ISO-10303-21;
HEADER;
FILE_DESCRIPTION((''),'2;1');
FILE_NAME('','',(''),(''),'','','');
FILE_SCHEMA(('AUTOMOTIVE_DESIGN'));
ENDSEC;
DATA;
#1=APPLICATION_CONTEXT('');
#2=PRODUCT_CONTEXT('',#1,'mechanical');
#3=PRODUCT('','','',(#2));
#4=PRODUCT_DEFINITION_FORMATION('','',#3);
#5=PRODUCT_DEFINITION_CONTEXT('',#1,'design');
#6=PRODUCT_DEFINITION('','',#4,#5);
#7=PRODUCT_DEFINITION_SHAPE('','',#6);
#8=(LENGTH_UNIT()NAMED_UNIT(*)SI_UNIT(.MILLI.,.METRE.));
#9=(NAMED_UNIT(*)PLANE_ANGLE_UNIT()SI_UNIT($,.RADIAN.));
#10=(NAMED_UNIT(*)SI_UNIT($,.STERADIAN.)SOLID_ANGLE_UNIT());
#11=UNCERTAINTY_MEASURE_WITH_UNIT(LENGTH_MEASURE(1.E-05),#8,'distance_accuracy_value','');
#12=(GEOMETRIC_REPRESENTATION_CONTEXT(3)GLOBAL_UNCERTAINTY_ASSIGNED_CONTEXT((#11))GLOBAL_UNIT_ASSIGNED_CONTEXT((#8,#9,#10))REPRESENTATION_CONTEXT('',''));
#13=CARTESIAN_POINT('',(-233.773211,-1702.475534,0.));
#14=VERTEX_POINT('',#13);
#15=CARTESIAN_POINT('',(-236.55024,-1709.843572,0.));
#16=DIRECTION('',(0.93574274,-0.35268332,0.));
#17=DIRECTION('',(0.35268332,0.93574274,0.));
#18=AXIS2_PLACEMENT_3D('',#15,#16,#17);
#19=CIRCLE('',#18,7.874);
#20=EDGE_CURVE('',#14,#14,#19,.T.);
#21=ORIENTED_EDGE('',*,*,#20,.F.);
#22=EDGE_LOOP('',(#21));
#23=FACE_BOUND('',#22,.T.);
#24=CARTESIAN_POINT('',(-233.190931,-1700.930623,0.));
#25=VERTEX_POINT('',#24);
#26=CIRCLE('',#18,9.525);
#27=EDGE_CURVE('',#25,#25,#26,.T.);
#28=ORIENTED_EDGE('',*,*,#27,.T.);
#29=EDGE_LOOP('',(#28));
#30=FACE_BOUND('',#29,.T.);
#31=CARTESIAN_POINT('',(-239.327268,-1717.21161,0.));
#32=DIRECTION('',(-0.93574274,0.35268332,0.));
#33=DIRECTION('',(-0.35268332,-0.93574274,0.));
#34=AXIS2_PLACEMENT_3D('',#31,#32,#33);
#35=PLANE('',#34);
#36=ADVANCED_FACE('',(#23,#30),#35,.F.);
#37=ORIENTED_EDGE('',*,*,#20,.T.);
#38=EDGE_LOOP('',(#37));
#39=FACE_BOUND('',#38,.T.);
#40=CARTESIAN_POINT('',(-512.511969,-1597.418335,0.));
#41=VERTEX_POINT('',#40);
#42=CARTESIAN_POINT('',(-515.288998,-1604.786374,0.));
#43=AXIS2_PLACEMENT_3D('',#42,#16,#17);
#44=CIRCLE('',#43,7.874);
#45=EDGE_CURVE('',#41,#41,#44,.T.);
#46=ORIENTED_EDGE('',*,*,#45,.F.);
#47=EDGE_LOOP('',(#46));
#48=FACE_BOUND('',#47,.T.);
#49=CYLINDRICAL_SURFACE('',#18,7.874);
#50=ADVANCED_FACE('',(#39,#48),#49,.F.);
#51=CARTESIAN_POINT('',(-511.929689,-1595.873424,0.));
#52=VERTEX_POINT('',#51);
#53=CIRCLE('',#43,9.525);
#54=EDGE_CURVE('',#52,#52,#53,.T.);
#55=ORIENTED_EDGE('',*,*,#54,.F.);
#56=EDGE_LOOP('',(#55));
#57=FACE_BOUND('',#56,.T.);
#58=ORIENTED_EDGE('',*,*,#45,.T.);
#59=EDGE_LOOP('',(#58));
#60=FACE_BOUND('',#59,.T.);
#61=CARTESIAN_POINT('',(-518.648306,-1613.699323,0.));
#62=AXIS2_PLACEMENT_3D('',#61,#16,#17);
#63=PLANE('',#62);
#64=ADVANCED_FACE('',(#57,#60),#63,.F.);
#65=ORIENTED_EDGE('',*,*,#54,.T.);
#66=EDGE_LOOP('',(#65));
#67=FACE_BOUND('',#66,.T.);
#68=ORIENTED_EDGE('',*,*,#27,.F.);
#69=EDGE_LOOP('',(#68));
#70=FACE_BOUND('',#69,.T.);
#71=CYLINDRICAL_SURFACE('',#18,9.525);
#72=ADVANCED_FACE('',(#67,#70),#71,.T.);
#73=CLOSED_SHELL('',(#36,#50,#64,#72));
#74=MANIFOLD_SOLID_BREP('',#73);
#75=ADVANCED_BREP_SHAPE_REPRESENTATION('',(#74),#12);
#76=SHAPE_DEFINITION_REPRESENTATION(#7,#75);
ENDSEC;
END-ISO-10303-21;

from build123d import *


with BuildPart() as part:
    # Sketch1 → Revolve1 (revolve)
    with BuildSketch(Plane.XY):
        Polygon((-239.909548224, -1718.756521714), (-518.648306478, -1613.699323346), (-518.066026317, -1612.154412082), (-239.327268063, -1717.21161045), align=None)
    revolve(axis=Axis((-236.550239601, -1709.843572114, 0), (-0.93574274, 0.35268332, 0)))


solid = part.part
